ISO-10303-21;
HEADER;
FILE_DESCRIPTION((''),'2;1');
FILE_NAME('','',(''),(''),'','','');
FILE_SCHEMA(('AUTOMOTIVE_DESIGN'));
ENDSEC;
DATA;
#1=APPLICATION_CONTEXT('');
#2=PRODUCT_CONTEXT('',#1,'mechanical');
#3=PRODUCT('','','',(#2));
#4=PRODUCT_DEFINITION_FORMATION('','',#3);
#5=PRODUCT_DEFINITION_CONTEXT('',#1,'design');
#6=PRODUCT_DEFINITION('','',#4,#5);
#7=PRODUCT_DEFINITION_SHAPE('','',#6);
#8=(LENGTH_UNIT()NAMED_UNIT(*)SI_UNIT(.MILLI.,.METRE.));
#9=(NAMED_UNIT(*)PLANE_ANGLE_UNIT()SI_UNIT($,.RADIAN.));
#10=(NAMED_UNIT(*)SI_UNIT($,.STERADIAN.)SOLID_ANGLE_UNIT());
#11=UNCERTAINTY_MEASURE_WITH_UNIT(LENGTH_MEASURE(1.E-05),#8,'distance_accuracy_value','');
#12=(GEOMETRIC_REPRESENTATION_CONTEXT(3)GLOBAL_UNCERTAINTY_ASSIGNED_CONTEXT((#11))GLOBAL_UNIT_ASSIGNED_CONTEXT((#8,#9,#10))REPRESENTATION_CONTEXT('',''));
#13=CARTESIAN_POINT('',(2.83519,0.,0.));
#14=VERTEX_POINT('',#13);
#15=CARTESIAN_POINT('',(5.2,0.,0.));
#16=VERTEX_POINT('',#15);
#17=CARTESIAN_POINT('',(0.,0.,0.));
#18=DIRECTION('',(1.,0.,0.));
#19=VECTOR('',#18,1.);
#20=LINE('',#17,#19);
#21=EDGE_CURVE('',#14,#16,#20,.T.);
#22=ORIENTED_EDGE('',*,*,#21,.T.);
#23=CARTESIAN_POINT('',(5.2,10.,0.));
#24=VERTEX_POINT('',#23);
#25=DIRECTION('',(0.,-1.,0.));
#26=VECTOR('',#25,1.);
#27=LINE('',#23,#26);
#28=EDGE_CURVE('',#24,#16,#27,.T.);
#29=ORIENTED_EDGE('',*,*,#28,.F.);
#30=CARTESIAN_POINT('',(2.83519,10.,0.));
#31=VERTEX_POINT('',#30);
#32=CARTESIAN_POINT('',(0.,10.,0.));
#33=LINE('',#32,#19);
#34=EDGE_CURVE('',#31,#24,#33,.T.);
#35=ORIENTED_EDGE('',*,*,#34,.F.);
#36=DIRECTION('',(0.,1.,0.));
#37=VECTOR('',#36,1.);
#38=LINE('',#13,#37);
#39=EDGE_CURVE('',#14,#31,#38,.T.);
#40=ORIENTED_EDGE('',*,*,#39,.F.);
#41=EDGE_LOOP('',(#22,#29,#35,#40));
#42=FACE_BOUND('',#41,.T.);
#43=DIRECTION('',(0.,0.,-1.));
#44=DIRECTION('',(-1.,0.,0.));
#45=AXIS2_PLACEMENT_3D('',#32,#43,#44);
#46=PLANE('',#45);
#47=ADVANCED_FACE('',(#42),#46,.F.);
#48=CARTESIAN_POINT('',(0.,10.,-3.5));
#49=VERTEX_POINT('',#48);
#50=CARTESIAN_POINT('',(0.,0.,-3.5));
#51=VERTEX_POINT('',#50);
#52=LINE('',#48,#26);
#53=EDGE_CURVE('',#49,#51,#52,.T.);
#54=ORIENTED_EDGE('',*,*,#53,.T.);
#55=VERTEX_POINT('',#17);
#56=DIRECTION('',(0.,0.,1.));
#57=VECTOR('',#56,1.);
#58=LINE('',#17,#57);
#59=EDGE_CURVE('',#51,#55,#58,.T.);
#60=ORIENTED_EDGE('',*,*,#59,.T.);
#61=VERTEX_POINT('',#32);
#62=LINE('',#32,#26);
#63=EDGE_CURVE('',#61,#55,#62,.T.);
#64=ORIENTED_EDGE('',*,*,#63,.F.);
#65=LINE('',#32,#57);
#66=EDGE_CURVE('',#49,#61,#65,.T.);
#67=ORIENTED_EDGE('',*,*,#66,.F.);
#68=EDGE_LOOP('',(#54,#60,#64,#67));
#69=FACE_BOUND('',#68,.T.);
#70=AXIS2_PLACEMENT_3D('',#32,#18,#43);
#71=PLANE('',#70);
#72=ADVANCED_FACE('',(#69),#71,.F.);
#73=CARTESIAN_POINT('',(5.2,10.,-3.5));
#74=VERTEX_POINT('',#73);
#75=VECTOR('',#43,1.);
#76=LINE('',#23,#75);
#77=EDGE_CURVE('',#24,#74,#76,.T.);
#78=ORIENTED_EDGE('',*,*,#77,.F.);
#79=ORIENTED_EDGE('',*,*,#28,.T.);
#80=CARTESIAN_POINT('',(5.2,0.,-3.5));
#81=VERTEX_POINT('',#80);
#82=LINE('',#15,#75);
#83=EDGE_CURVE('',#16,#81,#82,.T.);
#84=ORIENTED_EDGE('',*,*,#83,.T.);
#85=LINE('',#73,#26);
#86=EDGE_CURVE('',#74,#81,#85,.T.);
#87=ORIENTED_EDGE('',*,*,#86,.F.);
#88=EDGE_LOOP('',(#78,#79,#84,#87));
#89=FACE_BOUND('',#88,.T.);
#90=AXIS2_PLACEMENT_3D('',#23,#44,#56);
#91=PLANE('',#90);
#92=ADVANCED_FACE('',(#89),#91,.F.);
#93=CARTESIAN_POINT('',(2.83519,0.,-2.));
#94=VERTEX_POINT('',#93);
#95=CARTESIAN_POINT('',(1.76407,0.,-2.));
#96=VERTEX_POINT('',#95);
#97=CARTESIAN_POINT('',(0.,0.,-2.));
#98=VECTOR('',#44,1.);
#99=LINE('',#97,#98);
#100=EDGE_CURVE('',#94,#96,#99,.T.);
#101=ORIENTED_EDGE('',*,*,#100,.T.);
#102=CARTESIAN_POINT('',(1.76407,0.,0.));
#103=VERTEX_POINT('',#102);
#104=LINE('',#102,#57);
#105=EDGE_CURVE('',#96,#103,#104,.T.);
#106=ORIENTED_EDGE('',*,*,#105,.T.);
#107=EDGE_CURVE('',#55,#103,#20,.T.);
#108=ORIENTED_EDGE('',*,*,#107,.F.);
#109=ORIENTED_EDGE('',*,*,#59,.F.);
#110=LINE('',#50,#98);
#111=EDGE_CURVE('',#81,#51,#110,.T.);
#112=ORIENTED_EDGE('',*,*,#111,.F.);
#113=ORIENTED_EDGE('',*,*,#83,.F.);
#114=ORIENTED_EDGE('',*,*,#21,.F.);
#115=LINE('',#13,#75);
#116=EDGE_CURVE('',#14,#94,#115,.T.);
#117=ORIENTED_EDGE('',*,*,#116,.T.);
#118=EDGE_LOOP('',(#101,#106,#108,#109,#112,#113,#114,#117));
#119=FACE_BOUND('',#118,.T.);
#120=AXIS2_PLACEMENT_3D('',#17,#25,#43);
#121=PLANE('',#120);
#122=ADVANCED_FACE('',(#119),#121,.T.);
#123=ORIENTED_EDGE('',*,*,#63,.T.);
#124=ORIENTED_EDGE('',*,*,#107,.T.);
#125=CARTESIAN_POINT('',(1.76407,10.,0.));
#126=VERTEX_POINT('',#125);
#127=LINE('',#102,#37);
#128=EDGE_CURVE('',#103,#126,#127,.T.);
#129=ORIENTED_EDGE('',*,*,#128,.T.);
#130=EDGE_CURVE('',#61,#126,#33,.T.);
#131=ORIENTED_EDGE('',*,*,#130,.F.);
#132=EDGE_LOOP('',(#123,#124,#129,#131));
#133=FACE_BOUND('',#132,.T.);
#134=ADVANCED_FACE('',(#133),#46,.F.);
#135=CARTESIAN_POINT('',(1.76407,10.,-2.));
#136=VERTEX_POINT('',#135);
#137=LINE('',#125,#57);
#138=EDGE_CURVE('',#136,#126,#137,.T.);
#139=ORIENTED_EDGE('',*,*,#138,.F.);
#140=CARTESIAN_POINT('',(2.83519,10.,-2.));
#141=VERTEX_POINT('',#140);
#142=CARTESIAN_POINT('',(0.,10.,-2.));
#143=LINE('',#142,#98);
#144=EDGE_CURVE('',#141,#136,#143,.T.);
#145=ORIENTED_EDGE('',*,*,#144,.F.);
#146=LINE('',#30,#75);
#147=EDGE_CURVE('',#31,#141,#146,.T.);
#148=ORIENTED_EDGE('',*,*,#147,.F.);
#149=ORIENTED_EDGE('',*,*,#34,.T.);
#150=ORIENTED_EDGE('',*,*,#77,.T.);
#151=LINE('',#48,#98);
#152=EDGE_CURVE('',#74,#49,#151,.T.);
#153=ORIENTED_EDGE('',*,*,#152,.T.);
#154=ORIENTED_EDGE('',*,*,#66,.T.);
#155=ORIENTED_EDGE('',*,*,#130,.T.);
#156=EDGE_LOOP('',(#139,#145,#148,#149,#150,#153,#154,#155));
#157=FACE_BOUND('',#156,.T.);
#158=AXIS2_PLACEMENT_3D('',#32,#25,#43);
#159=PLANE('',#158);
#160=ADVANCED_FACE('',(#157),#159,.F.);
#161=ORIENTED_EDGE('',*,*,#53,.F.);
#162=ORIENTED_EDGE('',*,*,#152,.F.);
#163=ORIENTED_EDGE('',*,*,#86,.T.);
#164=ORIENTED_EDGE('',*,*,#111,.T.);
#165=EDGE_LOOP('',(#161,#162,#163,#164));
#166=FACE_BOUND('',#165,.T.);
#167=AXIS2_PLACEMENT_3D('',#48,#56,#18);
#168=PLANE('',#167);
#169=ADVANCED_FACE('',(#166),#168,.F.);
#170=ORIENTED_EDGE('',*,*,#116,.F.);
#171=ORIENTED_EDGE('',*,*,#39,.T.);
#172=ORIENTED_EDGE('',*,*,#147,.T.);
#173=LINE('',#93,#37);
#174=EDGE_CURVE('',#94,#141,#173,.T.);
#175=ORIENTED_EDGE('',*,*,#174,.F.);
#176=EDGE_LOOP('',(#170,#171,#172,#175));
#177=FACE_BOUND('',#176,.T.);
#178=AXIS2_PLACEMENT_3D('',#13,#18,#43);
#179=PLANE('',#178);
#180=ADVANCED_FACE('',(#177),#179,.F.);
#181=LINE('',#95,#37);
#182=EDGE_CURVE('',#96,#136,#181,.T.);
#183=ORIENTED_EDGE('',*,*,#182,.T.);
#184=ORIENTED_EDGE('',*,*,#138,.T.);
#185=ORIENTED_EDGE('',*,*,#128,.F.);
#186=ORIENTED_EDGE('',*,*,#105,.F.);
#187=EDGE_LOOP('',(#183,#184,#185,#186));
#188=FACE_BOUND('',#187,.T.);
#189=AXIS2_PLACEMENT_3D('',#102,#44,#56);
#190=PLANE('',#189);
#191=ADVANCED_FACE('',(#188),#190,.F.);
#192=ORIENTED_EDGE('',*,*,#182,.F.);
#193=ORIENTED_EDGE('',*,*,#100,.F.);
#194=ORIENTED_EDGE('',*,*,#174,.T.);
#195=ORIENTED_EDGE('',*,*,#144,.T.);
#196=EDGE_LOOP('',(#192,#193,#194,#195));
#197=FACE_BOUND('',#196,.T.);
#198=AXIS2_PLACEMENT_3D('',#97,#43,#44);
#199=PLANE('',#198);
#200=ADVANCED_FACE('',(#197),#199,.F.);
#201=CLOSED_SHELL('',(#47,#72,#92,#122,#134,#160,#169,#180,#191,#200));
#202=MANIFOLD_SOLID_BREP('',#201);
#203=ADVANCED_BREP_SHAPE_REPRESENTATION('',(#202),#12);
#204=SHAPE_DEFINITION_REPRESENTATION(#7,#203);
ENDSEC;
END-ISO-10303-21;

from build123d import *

# Parameters (mm, degrees)
SKETCH_1_W          = 5.2
SKETCH_1_H          = 3.5
EXTRUDE_1_DEPTH     = 10
SKETCH_2_W          = 1.07112
SKETCH_2_H          = 2
CUT_EXTRUDE_1_DEPTH = 10


with BuildPart() as part:
    # Эскиз1 → Бобышка-Вытянуть1 (new body)
    with BuildSketch(Plane(origin=(0, 0, 0), x_dir=(1, 0, 0), z_dir=(0, 1, 0))):
        with Locations((2.6, 1.75)):
            Rectangle(SKETCH_1_W, SKETCH_1_H)
    extrude(amount=EXTRUDE_1_DEPTH)

    # Эскиз2 → Вырез-Вытянуть1 (cut)
    with BuildSketch(Plane(origin=(0, 10, 0), x_dir=(1, 0, 0), z_dir=(0, 1, 0))):
        with Locations((2.29963019, 1)):
            Rectangle(SKETCH_2_W, SKETCH_2_H)
    extrude(amount=-CUT_EXTRUDE_1_DEPTH, mode=Mode.SUBTRACT)


solid = part.part
